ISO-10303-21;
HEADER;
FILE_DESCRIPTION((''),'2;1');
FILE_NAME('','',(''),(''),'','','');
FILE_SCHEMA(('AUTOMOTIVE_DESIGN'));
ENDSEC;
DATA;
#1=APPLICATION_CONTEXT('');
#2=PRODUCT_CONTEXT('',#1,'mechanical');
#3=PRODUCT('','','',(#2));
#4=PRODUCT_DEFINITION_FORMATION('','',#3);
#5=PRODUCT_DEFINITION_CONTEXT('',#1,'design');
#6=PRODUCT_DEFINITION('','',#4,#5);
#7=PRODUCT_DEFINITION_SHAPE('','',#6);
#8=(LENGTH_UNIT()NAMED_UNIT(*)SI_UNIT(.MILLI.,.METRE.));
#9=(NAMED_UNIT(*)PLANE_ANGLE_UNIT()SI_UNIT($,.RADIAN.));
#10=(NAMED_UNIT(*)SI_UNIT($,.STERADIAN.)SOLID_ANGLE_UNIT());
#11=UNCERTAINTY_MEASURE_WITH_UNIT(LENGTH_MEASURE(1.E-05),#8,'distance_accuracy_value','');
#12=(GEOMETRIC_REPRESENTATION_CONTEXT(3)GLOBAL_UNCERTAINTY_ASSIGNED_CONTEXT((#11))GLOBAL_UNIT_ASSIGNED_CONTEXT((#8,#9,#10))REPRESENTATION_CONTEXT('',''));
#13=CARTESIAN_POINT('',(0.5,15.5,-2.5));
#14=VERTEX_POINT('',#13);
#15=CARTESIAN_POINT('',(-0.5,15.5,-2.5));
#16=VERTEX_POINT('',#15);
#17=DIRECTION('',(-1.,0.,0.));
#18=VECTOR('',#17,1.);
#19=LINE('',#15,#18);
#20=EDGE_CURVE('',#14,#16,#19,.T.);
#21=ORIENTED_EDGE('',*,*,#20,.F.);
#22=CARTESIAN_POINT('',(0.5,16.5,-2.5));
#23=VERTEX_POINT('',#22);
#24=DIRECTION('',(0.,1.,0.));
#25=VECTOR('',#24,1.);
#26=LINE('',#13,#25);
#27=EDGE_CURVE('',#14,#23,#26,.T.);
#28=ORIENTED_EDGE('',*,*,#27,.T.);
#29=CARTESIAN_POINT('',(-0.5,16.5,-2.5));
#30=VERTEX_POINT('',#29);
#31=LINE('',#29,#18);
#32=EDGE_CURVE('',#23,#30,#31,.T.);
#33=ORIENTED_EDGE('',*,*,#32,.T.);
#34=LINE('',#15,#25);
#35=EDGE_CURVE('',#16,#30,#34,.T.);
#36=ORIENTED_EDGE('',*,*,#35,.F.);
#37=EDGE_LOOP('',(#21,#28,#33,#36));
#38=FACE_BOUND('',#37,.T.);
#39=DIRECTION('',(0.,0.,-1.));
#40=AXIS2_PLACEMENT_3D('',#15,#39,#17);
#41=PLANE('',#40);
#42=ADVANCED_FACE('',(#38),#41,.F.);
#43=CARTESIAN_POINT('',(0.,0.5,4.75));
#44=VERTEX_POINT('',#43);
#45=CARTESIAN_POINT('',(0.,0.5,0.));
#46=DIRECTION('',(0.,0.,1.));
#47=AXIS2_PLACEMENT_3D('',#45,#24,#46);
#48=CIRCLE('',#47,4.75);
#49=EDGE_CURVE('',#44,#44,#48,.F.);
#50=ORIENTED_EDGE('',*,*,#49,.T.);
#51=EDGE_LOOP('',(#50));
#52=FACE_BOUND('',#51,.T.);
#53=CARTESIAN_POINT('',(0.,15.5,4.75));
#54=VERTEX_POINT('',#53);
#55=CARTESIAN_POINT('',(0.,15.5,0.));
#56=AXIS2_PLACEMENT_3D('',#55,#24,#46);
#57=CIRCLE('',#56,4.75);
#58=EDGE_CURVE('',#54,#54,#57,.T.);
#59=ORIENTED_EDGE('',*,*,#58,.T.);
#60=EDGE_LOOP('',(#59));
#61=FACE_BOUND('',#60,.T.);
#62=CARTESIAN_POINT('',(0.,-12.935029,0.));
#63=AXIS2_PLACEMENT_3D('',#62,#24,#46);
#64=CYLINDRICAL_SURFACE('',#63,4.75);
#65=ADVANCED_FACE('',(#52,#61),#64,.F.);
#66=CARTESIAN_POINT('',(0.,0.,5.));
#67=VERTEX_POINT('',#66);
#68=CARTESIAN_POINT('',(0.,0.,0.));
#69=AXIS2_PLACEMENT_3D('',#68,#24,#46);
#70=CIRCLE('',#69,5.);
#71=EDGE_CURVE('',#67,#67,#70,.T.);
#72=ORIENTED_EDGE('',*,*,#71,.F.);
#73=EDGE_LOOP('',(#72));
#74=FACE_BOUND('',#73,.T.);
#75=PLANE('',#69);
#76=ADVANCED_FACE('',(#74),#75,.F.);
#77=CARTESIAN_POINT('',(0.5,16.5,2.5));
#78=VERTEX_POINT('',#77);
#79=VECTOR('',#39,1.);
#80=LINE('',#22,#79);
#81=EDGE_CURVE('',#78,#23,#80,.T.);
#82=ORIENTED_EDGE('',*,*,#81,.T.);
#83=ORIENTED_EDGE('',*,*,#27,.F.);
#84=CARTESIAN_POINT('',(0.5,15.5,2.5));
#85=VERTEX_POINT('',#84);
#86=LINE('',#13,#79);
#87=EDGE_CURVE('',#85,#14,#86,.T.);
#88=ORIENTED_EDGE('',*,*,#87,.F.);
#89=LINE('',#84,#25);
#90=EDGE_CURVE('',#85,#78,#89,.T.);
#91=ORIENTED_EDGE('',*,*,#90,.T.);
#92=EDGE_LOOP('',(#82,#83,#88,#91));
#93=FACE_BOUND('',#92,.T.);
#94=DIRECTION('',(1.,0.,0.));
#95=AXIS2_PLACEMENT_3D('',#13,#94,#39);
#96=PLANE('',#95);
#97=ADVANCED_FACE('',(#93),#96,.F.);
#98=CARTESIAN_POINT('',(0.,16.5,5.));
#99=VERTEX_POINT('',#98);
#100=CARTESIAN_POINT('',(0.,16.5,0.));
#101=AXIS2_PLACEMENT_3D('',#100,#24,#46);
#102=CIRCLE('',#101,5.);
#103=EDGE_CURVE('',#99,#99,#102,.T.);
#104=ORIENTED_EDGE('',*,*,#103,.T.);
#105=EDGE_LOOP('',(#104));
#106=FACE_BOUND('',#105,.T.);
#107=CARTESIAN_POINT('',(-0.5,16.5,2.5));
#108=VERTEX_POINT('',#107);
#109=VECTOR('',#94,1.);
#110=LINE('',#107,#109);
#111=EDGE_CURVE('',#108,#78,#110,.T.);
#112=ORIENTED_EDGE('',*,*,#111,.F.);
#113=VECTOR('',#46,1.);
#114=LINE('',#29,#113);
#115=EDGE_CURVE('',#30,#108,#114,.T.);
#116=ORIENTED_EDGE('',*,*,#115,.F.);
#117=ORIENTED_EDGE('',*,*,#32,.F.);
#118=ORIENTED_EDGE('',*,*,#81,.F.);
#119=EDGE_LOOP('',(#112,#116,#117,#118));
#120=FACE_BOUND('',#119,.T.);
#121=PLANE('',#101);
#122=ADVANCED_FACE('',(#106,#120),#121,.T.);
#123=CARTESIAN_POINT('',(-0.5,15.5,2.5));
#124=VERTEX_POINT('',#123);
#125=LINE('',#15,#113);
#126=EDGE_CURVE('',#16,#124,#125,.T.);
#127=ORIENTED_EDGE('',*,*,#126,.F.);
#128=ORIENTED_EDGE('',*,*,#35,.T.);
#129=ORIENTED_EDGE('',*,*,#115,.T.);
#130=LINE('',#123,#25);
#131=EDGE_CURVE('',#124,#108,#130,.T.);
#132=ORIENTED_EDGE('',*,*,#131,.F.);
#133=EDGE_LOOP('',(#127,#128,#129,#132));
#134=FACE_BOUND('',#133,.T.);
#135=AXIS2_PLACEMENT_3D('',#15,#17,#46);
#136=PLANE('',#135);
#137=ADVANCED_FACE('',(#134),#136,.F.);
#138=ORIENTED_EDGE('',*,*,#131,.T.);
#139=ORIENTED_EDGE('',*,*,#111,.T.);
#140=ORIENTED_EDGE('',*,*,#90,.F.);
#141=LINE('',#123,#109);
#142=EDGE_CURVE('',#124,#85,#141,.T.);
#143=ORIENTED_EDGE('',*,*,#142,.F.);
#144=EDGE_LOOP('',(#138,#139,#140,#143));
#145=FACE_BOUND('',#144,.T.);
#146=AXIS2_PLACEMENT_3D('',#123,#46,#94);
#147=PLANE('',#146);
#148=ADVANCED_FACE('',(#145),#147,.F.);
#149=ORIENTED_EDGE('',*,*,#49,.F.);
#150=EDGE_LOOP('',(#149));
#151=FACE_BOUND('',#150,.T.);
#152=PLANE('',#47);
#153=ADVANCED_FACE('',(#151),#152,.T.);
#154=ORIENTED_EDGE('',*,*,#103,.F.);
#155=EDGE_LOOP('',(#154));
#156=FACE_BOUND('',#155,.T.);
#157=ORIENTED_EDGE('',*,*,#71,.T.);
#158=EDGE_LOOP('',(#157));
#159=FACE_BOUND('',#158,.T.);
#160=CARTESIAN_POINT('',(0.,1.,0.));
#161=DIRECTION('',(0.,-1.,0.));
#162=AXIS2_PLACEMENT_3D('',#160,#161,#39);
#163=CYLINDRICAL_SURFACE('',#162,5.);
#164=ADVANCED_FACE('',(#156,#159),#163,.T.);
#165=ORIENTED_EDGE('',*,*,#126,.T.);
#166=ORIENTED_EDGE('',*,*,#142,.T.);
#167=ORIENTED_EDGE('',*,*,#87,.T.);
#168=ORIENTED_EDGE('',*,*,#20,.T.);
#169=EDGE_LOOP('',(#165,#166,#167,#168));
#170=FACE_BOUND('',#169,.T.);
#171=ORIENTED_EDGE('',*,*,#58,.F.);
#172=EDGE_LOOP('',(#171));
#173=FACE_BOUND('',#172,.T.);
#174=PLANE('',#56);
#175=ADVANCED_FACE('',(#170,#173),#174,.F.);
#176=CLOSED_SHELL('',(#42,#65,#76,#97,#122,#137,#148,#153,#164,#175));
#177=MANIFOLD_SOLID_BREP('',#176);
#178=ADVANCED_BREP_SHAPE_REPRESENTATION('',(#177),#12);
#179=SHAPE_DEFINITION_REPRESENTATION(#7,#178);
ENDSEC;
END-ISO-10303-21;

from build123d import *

# Parameters (mm, degrees)
ESBO_O1_R                = 5
RESSALTO_EXTRUS_O1_DEPTH = 1
ESBO_O3_R                = 5
RESSALTO_EXTRUS_O3_DEPTH = 15
CORTE_EXTRUS_O2_START    = -15
ESBO_O4_R                = 4.75
CORTE_EXTRUS_O2_DEPTH    = 15
ESBO_O5_R                = 5
RESSALTO_EXTRUS_O4_DEPTH = 1
ESBO_O6_W                = 1
ESBO_O6_H                = 5
CORTE_EXTRUS_O3_DEPTH    = 1


with BuildPart() as part:
    # Esboço1 → Ressalto-extrusão1 (new body)
    with BuildSketch(Plane(origin=(0, 0, 0), x_dir=(1, 0, 0), z_dir=(0, 1, 0))):
        with Locations(Location((0, 0, 0), (0, 0, 270))):
            Circle(ESBO_O1_R)
    extrude(amount=RESSALTO_EXTRUS_O1_DEPTH)

    # Esboço3 → Ressalto-extrusão3 (add)
    with BuildSketch(Plane(origin=(0, 0.5, 0), x_dir=(1, 0, 0), z_dir=(0, 1, 0))):
        with Locations(Location((0, 0, 0), (0, 0, 270))):
            Circle(ESBO_O3_R)
    extrude(amount=RESSALTO_EXTRUS_O3_DEPTH)

    # Esboço4 → Corte-extrusão2 (cut)
    with BuildSketch(Plane(origin=(0, 15.5, 0), x_dir=(1, 0, 0), z_dir=(0, 1, 0)).offset(CORTE_EXTRUS_O2_START)):
        with Locations(Location((0, 0, 0), (0, 0, 270))):
            Circle(ESBO_O4_R)
    extrude(amount=CORTE_EXTRUS_O2_DEPTH, mode=Mode.SUBTRACT)

    # Esboço5 → Ressalto-extrusão4 (add)
    with BuildSketch(Plane(origin=(0, 15.5, 0), x_dir=(1, 0, 0), z_dir=(0, 1, 0))):
        with Locations(Location((0, 0, 0), (0, 0, 270))):
            Circle(ESBO_O5_R)
    extrude(amount=RESSALTO_EXTRUS_O4_DEPTH)

    # Esboço6 → Corte-extrusão3 (cut)
    with BuildSketch(Plane(origin=(0, 16.5, 0), x_dir=(1, 0, 0), z_dir=(0, 1, 0))):
        Rectangle(ESBO_O6_W, ESBO_O6_H)
    extrude(amount=-CORTE_EXTRUS_O3_DEPTH, mode=Mode.SUBTRACT)


solid = part.part
